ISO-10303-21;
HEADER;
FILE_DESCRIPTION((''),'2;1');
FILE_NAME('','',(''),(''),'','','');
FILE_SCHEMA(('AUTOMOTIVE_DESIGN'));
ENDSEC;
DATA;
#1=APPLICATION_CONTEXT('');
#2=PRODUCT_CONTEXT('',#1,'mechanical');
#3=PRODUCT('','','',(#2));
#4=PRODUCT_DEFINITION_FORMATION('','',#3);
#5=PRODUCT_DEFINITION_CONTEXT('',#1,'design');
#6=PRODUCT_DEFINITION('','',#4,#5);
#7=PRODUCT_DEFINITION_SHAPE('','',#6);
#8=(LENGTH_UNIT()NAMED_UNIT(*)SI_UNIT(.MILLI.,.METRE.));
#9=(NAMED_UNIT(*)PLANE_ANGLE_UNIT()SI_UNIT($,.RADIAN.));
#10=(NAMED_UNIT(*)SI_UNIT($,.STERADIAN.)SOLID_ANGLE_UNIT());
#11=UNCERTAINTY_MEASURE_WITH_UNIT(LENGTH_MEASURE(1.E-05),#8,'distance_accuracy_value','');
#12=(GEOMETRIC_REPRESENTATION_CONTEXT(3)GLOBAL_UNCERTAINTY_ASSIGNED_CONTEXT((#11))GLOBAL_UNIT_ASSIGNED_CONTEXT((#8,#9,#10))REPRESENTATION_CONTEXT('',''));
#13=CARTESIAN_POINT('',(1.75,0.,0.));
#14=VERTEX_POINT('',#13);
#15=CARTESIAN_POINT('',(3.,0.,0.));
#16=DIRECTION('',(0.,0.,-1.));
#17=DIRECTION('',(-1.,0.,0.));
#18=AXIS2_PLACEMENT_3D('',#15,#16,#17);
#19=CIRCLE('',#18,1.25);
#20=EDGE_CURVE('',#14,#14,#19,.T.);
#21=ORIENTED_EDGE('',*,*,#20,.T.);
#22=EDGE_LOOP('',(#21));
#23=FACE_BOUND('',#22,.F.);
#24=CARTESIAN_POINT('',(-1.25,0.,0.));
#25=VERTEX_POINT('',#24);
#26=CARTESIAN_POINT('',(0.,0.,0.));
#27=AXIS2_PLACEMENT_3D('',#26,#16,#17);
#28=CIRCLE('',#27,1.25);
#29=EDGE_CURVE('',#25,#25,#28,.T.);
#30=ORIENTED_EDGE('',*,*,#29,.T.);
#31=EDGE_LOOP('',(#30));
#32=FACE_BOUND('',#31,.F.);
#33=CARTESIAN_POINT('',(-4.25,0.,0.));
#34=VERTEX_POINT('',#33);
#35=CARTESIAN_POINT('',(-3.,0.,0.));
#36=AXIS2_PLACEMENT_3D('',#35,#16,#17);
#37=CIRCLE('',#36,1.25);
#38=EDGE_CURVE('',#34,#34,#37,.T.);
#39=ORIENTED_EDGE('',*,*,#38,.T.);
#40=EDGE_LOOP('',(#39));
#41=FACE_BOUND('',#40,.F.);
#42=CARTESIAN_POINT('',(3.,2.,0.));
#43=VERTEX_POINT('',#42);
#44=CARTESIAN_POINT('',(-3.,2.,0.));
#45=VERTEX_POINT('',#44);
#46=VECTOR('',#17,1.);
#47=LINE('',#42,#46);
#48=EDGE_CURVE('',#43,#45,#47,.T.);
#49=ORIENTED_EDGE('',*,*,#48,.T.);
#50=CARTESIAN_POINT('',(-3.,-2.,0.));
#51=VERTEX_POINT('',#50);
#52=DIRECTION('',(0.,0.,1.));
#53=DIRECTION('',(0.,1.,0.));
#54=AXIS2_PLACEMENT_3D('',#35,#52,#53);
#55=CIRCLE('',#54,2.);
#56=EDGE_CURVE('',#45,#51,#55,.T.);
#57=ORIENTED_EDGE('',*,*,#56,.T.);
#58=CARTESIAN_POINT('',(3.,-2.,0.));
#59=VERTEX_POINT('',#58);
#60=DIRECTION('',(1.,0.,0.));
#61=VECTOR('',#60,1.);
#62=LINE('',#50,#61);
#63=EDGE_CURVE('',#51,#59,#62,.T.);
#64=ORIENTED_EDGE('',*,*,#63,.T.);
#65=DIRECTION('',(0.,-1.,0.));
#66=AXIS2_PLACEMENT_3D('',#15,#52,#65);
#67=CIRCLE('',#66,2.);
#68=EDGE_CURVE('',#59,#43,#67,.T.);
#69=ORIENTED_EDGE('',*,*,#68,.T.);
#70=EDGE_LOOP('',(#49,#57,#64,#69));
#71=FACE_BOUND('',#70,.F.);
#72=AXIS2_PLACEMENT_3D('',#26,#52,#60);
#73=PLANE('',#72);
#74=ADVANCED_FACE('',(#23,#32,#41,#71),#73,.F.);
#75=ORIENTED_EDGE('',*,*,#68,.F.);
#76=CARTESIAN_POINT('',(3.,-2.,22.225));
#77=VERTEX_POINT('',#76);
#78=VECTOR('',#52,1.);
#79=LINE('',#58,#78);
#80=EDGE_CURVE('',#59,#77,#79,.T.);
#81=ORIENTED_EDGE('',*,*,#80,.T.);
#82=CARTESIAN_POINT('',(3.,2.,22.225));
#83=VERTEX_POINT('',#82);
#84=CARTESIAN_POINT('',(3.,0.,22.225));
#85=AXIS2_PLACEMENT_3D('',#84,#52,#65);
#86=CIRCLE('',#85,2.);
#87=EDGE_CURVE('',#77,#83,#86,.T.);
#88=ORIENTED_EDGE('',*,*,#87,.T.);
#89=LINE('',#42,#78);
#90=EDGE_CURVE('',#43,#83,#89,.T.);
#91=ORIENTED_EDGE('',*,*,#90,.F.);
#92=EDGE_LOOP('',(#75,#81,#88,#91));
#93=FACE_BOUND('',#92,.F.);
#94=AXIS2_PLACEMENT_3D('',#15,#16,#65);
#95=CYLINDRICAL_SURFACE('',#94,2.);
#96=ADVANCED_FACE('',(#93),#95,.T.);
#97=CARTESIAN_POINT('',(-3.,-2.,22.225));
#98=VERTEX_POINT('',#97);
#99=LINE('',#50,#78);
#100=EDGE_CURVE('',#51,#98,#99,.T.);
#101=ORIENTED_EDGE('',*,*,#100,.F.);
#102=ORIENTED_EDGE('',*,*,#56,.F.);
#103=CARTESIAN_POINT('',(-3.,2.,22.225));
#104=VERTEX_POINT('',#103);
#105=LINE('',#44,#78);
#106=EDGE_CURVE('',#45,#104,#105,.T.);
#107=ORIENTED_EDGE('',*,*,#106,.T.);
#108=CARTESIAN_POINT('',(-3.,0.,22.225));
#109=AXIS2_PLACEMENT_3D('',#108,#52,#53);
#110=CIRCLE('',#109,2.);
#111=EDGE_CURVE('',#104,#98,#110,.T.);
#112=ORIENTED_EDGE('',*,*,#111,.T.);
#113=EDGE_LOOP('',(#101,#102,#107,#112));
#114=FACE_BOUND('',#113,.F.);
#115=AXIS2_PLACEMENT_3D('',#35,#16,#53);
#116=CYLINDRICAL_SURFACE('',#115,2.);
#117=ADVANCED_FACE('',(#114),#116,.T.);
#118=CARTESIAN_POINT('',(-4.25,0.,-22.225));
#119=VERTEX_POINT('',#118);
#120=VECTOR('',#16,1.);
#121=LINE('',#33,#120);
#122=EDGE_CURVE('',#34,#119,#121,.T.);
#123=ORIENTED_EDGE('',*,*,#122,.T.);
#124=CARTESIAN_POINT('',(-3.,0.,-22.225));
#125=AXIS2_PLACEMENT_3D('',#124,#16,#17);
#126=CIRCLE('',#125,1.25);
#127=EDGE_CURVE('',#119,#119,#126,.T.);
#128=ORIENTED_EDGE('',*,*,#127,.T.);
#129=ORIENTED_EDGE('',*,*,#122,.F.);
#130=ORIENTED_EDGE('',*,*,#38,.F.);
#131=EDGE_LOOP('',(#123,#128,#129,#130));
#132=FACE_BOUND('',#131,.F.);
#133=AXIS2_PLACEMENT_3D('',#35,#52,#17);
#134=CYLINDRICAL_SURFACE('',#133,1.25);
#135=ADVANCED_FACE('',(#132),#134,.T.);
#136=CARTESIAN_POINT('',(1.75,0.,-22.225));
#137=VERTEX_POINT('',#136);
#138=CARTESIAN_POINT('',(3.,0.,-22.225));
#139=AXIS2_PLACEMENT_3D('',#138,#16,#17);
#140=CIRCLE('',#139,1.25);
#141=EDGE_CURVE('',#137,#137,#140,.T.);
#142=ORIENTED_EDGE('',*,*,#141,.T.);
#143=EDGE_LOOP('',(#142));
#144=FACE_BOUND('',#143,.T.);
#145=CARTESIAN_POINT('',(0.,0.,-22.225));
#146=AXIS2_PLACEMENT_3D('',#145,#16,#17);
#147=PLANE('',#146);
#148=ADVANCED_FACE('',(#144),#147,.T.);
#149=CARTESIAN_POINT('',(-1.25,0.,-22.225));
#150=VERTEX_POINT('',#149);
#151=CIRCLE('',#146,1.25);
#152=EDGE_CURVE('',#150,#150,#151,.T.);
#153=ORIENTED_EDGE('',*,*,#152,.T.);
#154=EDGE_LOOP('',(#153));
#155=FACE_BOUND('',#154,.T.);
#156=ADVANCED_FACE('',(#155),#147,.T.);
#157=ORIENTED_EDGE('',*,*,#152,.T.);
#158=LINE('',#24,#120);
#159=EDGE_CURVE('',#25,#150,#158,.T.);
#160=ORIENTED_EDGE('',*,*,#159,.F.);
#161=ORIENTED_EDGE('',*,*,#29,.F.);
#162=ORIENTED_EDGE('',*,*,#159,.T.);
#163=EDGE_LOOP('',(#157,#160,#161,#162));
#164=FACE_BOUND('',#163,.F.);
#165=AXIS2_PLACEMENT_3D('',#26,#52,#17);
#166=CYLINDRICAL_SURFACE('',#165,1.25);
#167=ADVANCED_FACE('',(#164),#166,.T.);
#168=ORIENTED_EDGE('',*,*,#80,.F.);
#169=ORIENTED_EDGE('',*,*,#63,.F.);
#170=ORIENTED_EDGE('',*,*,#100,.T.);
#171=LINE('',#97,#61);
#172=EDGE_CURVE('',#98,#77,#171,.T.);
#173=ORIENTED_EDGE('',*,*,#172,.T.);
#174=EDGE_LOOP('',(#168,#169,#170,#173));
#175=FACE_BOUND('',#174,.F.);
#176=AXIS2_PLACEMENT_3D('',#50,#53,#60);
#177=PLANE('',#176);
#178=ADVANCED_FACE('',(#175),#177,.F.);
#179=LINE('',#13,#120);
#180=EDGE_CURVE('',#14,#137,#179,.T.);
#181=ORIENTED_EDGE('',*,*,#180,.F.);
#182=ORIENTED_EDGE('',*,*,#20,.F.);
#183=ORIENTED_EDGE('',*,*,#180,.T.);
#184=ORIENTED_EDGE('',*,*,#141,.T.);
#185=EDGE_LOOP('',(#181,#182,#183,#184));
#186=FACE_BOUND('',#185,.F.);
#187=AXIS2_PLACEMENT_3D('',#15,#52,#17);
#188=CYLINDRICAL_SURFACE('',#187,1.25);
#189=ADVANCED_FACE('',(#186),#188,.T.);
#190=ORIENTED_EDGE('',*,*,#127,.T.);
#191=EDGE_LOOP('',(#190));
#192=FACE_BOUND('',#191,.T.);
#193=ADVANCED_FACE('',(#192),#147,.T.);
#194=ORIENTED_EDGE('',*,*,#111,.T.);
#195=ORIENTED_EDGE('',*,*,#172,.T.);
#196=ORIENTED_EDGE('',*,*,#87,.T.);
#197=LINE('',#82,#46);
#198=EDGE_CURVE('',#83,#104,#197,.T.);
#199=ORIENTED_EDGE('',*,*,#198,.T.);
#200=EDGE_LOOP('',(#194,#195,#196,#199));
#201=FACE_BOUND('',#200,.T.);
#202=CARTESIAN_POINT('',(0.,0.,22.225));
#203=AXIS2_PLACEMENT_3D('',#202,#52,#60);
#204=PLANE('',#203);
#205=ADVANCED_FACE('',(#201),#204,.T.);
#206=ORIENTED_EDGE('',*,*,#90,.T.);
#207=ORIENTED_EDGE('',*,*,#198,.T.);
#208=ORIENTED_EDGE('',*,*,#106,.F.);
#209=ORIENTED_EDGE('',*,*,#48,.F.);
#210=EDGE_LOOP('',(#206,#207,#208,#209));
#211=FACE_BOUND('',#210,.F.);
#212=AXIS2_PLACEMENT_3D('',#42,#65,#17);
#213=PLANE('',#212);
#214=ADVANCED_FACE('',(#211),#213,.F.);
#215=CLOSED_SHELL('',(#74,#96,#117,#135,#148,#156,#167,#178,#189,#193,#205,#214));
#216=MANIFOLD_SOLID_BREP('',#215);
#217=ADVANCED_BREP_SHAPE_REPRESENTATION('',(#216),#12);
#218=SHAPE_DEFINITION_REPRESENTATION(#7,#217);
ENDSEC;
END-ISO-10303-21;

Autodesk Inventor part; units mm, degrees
ref_plane "YZ Plane" through (0, 0, 0) normal (1, 0, 0) x (0, 1, 0)
ref_plane "XZ Plane" through (0, 0, 0) normal (0, 1, 0) x (-1, 0, 0)
ref_plane "XY Plane" through (0, 0, 0) normal (0, 0, 1) x (1, 0, 0)
sketch "Sketch1" plane through (0, 0, 0) normal (0, 0, 1) x (1, 0, 0)
  line L0 (-3, 0) -> (3, 0) construction
  line L1 (-3, -2) -> (3, -2)
  line L2 (3, 2) -> (-3, 2)
  arc A0 (-3, 2) -> (-3, -2) centre (-3, 0) ccw
  arc A1 (3, -2) -> (3, 2) centre (3, 0) ccw
  point P0 (0, 0)
  dimension "d0" = 4
  dimension "d1" = 6
extrude "Extrusion1" add sketch "Sketch1" along normal blind 22.225
sketch "Sketch2" plane through (0, 0, 0) normal (0, 0, -1) x (-1, 0, 0)
  circle A0 centre (0, 0) radius 1.25
  circle A1 centre (-3, 0) radius 1.25
  arc A2 (-3, 2) -> (-3, -2) centre (-3, 0) ccw projected
  circle A3 centre (3, 0) radius 1.25
  dimension "d4" = 2.5
  dimension "d5" = 2.5
  dimension "d8" = 360
extrude "Extrusion2" add sketch "Sketch2" along normal blind 22.225
properties part number "SLEEVE" material "Rubber, Silicone"
